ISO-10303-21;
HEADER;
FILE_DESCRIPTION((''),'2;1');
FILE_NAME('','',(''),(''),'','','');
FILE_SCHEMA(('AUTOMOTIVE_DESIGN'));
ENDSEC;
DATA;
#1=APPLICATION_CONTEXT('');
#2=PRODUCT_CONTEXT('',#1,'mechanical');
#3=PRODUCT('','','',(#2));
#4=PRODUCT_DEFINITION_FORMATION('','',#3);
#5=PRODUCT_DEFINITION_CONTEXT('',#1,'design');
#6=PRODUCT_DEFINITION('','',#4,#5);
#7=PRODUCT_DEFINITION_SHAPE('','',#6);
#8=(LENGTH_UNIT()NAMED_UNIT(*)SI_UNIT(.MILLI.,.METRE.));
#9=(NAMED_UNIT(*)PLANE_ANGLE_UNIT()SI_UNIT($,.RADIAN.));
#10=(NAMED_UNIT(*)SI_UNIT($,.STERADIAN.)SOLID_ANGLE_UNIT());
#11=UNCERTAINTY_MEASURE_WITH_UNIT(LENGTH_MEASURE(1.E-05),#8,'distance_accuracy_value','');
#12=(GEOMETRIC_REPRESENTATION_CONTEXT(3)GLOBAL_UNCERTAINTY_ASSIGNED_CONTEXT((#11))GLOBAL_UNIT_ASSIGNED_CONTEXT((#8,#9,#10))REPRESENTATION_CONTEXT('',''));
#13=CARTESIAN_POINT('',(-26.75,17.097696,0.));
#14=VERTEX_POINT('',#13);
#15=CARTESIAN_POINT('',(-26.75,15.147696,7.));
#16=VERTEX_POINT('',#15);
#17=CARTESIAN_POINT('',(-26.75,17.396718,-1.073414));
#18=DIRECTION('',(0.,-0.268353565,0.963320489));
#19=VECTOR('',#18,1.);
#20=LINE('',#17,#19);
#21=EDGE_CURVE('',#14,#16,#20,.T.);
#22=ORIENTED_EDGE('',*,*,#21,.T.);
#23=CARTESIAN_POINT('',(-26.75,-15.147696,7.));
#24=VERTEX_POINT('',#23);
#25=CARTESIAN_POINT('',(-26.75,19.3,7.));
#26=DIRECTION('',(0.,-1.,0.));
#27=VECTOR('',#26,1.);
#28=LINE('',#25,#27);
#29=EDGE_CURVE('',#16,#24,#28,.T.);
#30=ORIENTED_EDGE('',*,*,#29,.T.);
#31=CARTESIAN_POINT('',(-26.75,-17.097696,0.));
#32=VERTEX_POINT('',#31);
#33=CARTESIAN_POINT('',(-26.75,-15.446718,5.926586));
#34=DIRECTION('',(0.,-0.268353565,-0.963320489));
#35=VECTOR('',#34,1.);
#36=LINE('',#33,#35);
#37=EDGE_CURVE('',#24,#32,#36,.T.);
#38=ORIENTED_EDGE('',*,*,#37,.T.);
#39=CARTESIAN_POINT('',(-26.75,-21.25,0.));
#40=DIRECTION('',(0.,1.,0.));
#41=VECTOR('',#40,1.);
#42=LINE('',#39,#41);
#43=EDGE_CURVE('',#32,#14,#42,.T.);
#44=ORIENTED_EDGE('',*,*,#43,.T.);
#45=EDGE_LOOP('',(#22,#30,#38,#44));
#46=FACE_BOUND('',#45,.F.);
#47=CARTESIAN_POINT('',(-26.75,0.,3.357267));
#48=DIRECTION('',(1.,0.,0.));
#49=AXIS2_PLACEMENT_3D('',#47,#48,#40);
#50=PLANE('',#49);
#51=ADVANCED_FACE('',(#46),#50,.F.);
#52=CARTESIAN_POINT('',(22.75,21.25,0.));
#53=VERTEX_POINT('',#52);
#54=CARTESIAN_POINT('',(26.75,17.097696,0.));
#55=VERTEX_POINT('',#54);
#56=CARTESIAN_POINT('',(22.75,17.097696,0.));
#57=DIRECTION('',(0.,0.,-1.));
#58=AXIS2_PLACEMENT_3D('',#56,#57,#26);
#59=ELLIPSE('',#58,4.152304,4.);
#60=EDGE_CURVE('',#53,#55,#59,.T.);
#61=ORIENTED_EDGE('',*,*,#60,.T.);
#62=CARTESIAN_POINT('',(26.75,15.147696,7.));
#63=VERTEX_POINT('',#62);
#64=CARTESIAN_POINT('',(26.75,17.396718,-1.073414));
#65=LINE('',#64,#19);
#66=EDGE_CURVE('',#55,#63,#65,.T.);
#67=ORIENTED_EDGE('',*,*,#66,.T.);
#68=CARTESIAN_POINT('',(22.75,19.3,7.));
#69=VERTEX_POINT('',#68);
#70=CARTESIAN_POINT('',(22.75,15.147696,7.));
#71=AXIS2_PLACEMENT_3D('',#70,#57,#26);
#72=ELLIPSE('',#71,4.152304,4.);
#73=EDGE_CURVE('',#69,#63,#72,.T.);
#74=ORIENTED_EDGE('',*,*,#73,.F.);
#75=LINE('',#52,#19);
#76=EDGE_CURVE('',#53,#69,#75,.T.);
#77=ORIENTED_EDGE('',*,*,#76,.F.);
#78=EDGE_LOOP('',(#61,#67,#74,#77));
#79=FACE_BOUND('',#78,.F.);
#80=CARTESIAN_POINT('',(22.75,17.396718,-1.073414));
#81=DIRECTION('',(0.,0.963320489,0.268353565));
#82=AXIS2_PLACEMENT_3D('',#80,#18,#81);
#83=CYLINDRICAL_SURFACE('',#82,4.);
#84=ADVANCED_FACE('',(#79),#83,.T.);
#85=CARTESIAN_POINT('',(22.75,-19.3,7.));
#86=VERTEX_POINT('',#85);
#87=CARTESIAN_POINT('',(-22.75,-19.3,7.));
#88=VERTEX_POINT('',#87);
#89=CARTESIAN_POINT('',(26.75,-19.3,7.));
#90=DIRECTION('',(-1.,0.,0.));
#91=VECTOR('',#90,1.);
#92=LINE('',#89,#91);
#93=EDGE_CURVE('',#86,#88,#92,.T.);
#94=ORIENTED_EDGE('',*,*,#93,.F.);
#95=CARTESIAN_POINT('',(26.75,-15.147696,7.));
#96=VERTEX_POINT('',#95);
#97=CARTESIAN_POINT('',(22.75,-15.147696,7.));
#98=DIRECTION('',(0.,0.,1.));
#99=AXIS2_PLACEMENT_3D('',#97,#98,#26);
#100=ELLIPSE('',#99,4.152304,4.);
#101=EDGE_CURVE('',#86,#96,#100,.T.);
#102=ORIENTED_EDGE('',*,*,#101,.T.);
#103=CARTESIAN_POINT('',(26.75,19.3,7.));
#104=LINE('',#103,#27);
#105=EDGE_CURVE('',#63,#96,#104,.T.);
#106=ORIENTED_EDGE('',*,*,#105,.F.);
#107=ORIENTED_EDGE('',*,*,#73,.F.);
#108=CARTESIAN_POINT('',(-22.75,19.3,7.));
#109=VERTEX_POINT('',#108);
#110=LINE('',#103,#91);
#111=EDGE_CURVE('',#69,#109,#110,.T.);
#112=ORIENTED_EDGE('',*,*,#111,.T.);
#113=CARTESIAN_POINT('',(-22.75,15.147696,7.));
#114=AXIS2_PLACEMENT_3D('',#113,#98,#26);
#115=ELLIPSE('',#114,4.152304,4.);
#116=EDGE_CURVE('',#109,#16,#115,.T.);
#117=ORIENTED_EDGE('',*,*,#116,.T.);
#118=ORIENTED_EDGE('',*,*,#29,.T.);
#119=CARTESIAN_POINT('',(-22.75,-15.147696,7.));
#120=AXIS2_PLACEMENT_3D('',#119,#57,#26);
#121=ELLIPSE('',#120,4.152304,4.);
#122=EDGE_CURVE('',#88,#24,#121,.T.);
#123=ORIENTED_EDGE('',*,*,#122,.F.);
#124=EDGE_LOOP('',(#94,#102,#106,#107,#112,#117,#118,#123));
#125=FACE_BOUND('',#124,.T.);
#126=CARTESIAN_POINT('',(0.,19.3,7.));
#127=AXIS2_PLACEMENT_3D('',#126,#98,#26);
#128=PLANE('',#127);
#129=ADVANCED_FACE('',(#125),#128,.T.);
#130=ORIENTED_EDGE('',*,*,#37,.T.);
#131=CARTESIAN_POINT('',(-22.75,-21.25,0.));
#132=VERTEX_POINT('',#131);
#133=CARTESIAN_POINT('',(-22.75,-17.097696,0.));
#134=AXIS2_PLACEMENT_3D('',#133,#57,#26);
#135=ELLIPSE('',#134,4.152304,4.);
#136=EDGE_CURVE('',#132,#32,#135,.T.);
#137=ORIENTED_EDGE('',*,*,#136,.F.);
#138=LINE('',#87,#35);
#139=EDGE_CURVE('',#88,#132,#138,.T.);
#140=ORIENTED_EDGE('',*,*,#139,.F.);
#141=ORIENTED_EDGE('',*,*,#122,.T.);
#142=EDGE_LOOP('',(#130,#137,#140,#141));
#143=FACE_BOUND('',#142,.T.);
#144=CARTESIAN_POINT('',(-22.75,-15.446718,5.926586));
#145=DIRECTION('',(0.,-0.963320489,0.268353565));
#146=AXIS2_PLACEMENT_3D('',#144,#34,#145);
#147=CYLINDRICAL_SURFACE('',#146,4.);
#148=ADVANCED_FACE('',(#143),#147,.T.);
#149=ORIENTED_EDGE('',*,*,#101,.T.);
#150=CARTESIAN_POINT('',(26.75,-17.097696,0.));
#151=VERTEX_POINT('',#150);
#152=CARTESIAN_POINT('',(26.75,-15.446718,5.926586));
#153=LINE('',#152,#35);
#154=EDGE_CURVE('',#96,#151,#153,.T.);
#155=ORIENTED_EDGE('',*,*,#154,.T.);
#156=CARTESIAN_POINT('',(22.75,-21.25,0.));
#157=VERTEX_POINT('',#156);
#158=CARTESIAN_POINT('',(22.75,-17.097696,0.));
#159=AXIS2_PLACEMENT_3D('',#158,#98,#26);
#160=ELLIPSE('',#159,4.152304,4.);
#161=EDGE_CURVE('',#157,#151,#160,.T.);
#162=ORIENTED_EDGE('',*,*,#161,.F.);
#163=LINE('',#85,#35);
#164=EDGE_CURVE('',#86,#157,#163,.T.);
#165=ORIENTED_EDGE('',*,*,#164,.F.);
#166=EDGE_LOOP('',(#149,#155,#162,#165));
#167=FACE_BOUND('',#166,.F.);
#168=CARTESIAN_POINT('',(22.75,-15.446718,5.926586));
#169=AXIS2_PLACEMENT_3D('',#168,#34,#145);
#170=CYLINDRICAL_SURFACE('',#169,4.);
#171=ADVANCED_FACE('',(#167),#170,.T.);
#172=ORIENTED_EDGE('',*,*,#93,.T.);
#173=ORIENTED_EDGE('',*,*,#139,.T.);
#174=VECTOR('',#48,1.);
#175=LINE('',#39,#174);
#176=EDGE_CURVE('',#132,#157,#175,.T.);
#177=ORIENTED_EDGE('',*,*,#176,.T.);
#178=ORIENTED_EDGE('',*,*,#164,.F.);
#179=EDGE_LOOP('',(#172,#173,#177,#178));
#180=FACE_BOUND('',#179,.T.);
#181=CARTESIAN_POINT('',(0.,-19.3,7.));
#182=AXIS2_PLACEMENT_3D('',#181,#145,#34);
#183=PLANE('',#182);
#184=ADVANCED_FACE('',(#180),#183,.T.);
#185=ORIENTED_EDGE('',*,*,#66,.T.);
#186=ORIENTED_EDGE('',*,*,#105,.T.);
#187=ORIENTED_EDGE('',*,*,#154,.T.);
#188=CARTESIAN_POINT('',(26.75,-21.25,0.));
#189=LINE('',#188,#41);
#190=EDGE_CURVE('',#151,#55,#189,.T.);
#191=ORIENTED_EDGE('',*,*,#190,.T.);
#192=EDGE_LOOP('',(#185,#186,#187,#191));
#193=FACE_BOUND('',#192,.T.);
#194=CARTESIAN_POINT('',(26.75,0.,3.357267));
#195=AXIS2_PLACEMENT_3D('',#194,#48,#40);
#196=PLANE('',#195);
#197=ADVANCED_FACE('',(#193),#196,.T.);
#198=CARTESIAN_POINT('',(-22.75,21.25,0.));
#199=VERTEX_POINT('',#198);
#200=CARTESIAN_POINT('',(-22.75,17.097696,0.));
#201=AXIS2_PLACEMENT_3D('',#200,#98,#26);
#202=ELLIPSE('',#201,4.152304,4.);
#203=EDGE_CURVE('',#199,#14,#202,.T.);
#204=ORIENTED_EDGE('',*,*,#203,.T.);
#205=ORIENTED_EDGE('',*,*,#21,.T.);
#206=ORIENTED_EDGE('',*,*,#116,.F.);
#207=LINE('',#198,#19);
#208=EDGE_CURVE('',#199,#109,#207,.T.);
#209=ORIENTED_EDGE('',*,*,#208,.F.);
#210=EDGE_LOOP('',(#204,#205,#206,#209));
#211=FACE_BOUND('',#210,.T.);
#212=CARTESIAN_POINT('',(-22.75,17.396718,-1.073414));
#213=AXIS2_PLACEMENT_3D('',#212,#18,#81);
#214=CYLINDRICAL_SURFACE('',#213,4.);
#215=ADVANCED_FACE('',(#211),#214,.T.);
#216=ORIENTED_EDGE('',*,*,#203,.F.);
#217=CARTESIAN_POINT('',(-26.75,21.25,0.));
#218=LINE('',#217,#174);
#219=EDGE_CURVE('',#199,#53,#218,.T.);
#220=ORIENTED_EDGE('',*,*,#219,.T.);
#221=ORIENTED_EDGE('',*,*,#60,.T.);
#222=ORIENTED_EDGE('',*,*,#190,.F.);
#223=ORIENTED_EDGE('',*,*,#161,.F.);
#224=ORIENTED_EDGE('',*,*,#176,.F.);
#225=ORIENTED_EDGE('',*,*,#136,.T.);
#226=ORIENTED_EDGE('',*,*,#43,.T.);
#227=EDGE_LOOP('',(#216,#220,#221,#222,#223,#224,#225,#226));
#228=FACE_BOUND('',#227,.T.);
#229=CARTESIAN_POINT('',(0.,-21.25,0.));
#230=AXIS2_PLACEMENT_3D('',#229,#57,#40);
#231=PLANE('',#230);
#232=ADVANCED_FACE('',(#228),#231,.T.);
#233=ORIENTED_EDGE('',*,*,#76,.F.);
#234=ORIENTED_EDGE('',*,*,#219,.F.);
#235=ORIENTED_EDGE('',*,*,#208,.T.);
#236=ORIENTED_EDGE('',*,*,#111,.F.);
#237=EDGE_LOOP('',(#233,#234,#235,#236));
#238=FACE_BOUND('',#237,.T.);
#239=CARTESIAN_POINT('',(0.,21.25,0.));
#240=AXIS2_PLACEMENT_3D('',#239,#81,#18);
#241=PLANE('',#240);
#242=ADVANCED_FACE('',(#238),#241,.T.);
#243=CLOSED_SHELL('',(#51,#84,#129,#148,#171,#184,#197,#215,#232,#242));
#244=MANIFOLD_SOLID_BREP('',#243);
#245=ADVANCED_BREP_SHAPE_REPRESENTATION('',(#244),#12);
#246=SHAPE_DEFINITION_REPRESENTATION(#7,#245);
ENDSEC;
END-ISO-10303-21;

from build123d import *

# Parameters (mm, degrees)
F2_DEPTH = 26.75
F3_R     = 4


with BuildPart() as f2:
    # F1 (on Right) → F2 (new body, symmetric)
    with BuildSketch(Plane.YZ):
        Polygon((-19.3, 7), (-21.25, 0), (21.25, 0), (19.3, 7), align=None)
    extrude(amount=F2_DEPTH, both=True)

    # F3
    f3_edges = [f2.edges().sort_by_distance(p)[0] for p in [
        (-26.75, -20.275, 3.5),
        (26.75, -20.275, 3.5),
        (26.75, 20.275, 3.5),
        (-26.75, 20.275, 3.5),
    ]]
    fillet(f3_edges, radius=F3_R)


solid = f2.part
